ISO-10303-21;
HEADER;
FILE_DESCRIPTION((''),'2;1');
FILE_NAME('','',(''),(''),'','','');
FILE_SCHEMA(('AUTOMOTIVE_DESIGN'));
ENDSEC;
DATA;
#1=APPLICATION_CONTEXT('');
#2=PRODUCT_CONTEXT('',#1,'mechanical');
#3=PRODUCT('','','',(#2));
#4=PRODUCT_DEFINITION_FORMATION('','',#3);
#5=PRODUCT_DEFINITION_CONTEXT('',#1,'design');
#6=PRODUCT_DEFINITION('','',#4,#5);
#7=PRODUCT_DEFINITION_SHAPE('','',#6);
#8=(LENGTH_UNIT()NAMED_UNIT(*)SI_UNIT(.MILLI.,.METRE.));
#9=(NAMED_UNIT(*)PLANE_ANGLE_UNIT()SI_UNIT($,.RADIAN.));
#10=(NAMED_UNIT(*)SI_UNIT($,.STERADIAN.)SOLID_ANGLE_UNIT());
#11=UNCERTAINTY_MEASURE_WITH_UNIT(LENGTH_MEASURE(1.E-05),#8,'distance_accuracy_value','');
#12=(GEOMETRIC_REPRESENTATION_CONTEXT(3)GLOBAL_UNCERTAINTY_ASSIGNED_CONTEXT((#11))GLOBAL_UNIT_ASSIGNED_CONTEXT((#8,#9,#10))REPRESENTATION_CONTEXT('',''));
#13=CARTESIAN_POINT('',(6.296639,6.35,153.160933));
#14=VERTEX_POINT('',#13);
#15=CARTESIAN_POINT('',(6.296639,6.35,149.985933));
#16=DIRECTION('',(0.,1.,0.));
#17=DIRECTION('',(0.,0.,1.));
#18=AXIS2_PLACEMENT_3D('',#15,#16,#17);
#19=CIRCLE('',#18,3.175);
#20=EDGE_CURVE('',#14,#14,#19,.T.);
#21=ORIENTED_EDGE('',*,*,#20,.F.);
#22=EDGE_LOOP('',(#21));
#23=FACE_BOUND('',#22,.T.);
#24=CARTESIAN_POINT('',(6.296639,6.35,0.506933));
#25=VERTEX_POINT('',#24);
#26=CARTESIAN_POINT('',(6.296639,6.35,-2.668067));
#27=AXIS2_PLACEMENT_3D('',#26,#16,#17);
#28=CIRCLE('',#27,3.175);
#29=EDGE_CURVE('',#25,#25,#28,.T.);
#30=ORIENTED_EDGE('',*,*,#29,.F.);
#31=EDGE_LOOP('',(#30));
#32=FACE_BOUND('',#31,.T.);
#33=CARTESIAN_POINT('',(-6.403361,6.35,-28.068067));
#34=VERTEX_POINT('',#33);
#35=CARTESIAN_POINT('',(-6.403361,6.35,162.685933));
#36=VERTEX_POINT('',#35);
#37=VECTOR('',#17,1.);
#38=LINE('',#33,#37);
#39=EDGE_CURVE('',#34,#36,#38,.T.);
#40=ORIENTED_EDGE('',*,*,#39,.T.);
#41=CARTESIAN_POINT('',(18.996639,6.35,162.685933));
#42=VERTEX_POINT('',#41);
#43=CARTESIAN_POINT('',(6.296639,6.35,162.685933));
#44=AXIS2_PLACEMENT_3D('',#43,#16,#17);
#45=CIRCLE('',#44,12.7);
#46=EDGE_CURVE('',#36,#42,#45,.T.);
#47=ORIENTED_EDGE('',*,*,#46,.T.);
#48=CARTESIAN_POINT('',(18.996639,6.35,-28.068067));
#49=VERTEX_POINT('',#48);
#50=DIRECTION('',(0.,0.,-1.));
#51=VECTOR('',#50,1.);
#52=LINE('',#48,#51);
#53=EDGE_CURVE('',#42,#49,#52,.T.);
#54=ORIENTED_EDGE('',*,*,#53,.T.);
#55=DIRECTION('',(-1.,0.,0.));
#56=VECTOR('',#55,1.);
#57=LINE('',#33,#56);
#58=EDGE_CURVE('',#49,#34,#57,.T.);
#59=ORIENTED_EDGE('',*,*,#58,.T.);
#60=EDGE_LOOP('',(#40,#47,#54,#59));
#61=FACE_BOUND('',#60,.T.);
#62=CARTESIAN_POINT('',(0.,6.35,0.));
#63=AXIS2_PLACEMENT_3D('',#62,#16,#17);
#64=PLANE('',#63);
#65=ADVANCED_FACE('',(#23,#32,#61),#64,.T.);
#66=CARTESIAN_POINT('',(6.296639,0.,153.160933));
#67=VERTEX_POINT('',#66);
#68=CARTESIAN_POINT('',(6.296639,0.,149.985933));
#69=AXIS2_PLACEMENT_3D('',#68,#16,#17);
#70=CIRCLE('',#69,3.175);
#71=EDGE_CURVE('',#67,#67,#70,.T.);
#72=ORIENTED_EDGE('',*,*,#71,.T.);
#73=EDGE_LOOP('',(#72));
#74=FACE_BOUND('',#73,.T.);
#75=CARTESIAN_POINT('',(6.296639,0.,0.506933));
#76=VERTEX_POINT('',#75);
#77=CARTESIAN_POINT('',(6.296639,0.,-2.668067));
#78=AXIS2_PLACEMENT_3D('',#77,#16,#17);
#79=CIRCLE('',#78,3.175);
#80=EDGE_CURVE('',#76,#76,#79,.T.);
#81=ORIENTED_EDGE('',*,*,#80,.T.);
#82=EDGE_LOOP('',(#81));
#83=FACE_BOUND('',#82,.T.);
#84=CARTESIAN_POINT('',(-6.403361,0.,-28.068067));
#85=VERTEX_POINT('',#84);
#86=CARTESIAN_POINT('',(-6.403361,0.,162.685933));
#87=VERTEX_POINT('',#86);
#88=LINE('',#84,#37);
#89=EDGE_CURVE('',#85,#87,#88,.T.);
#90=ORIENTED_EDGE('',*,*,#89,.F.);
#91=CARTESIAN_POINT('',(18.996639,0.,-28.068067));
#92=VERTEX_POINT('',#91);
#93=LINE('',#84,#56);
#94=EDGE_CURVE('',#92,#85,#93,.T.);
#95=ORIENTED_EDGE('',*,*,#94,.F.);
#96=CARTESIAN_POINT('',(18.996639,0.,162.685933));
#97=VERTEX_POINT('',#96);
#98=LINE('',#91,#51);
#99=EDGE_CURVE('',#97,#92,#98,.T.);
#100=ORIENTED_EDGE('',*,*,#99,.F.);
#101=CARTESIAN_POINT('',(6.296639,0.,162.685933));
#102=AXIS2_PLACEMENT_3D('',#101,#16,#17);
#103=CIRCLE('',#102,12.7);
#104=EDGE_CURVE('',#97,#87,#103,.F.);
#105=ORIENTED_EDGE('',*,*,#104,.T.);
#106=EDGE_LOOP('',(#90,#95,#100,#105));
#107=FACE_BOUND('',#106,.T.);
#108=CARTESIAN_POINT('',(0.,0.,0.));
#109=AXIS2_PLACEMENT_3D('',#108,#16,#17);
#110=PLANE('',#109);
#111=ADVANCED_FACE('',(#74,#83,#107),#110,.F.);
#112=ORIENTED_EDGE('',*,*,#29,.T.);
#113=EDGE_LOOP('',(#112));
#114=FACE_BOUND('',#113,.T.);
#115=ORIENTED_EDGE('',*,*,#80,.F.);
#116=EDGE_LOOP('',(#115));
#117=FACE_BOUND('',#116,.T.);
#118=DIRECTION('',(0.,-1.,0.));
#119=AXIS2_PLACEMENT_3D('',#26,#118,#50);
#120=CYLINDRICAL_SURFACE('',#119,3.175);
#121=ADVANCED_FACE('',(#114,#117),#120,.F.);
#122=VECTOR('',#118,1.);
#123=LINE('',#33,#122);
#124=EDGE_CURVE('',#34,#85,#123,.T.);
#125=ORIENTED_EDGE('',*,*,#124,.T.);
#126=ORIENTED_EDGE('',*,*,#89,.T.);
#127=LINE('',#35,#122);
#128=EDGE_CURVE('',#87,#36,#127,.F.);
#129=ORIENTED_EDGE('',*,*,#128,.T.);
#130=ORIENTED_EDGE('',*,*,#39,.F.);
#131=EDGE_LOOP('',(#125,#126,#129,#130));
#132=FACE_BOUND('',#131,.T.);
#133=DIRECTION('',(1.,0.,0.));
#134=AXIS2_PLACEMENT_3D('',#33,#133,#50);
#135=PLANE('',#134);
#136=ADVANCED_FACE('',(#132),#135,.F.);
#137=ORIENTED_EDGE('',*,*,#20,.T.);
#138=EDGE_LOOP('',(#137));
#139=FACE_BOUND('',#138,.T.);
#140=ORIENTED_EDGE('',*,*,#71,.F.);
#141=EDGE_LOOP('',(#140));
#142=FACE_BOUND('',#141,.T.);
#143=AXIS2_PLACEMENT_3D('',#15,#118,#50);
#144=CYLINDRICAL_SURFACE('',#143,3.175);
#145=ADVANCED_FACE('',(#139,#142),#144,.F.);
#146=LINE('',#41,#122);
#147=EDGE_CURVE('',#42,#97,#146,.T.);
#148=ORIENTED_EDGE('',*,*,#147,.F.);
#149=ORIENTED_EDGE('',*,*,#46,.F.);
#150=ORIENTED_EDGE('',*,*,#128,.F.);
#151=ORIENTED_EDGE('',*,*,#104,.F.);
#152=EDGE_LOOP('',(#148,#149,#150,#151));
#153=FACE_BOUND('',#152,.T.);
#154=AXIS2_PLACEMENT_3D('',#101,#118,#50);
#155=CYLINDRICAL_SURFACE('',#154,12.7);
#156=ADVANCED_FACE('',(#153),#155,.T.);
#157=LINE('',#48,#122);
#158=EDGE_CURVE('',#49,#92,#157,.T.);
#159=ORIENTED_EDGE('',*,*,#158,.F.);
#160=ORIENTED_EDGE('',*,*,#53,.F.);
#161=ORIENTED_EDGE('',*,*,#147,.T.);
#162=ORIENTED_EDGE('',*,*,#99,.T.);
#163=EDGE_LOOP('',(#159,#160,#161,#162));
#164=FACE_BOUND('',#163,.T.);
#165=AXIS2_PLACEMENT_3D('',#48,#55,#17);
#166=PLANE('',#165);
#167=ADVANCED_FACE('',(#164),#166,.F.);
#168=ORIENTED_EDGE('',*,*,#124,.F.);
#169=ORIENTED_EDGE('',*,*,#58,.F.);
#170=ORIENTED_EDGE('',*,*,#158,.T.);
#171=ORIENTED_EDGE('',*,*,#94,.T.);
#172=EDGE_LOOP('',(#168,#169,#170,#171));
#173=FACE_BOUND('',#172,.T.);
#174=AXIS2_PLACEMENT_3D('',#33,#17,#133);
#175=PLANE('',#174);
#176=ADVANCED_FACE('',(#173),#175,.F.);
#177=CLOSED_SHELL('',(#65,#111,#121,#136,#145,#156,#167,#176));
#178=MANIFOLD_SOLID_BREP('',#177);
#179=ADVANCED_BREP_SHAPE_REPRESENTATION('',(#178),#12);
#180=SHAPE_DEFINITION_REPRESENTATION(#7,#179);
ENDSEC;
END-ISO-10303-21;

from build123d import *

# Parameters (mm, degrees)
SKETCH1_W           = 25.4
SKETCH1_H           = 203.454
SKETCH1_R           = 3.175
BOSS_EXTRUDE1_DEPTH = 6.35
FILLET1_RADIUS      = 12.7
FILLET1_LENGTH      = 6.35


with BuildPart() as part:
    # Sketch1 → Boss-Extrude1 (new body)
    with BuildSketch(Plane(origin=(0, 0, 0), x_dir=(1, 0, 0), z_dir=(0, 1, 0))):
        with Locations((6.296638655, -73.658932773)):
            Rectangle(SKETCH1_W, SKETCH1_H)
        with Locations(Location((6.296638655, 2.668067227, 0), (0, 0, 270))):
            Circle(SKETCH1_R, mode=Mode.SUBTRACT)
        with Locations(Location((6.296638655, -149.985932773, 0), (0, 0, 270))):
            Circle(SKETCH1_R, mode=Mode.SUBTRACT)
    extrude(amount=BOSS_EXTRUDE1_DEPTH)

    # Fillet1: full round fillet: the end face becomes a half cylinder, R = half its width
    fillet1_face = Plane((6.296638655, 3.175, 175.385932773), x_dir=(0, 1, 0), z_dir=(0, 0, 1))  # on the end face: x along it, z out of the body
    fillet1_slab = fillet1_face.offset(-FILLET1_RADIUS / 2) * Box(FILLET1_LENGTH, 2 * FILLET1_RADIUS, FILLET1_RADIUS, mode=Mode.PRIVATE)  # the body's end, R deep
    fillet1_round = Plane((6.296638655, 3.175, 162.685932773), x_dir=(0, 0, 1), z_dir=(0, 1, 0)) * Cylinder(FILLET1_RADIUS, FILLET1_LENGTH, mode=Mode.PRIVATE)  # its axis R under the face
    add(fillet1_slab - fillet1_round, mode=Mode.SUBTRACT)


solid = part.part
